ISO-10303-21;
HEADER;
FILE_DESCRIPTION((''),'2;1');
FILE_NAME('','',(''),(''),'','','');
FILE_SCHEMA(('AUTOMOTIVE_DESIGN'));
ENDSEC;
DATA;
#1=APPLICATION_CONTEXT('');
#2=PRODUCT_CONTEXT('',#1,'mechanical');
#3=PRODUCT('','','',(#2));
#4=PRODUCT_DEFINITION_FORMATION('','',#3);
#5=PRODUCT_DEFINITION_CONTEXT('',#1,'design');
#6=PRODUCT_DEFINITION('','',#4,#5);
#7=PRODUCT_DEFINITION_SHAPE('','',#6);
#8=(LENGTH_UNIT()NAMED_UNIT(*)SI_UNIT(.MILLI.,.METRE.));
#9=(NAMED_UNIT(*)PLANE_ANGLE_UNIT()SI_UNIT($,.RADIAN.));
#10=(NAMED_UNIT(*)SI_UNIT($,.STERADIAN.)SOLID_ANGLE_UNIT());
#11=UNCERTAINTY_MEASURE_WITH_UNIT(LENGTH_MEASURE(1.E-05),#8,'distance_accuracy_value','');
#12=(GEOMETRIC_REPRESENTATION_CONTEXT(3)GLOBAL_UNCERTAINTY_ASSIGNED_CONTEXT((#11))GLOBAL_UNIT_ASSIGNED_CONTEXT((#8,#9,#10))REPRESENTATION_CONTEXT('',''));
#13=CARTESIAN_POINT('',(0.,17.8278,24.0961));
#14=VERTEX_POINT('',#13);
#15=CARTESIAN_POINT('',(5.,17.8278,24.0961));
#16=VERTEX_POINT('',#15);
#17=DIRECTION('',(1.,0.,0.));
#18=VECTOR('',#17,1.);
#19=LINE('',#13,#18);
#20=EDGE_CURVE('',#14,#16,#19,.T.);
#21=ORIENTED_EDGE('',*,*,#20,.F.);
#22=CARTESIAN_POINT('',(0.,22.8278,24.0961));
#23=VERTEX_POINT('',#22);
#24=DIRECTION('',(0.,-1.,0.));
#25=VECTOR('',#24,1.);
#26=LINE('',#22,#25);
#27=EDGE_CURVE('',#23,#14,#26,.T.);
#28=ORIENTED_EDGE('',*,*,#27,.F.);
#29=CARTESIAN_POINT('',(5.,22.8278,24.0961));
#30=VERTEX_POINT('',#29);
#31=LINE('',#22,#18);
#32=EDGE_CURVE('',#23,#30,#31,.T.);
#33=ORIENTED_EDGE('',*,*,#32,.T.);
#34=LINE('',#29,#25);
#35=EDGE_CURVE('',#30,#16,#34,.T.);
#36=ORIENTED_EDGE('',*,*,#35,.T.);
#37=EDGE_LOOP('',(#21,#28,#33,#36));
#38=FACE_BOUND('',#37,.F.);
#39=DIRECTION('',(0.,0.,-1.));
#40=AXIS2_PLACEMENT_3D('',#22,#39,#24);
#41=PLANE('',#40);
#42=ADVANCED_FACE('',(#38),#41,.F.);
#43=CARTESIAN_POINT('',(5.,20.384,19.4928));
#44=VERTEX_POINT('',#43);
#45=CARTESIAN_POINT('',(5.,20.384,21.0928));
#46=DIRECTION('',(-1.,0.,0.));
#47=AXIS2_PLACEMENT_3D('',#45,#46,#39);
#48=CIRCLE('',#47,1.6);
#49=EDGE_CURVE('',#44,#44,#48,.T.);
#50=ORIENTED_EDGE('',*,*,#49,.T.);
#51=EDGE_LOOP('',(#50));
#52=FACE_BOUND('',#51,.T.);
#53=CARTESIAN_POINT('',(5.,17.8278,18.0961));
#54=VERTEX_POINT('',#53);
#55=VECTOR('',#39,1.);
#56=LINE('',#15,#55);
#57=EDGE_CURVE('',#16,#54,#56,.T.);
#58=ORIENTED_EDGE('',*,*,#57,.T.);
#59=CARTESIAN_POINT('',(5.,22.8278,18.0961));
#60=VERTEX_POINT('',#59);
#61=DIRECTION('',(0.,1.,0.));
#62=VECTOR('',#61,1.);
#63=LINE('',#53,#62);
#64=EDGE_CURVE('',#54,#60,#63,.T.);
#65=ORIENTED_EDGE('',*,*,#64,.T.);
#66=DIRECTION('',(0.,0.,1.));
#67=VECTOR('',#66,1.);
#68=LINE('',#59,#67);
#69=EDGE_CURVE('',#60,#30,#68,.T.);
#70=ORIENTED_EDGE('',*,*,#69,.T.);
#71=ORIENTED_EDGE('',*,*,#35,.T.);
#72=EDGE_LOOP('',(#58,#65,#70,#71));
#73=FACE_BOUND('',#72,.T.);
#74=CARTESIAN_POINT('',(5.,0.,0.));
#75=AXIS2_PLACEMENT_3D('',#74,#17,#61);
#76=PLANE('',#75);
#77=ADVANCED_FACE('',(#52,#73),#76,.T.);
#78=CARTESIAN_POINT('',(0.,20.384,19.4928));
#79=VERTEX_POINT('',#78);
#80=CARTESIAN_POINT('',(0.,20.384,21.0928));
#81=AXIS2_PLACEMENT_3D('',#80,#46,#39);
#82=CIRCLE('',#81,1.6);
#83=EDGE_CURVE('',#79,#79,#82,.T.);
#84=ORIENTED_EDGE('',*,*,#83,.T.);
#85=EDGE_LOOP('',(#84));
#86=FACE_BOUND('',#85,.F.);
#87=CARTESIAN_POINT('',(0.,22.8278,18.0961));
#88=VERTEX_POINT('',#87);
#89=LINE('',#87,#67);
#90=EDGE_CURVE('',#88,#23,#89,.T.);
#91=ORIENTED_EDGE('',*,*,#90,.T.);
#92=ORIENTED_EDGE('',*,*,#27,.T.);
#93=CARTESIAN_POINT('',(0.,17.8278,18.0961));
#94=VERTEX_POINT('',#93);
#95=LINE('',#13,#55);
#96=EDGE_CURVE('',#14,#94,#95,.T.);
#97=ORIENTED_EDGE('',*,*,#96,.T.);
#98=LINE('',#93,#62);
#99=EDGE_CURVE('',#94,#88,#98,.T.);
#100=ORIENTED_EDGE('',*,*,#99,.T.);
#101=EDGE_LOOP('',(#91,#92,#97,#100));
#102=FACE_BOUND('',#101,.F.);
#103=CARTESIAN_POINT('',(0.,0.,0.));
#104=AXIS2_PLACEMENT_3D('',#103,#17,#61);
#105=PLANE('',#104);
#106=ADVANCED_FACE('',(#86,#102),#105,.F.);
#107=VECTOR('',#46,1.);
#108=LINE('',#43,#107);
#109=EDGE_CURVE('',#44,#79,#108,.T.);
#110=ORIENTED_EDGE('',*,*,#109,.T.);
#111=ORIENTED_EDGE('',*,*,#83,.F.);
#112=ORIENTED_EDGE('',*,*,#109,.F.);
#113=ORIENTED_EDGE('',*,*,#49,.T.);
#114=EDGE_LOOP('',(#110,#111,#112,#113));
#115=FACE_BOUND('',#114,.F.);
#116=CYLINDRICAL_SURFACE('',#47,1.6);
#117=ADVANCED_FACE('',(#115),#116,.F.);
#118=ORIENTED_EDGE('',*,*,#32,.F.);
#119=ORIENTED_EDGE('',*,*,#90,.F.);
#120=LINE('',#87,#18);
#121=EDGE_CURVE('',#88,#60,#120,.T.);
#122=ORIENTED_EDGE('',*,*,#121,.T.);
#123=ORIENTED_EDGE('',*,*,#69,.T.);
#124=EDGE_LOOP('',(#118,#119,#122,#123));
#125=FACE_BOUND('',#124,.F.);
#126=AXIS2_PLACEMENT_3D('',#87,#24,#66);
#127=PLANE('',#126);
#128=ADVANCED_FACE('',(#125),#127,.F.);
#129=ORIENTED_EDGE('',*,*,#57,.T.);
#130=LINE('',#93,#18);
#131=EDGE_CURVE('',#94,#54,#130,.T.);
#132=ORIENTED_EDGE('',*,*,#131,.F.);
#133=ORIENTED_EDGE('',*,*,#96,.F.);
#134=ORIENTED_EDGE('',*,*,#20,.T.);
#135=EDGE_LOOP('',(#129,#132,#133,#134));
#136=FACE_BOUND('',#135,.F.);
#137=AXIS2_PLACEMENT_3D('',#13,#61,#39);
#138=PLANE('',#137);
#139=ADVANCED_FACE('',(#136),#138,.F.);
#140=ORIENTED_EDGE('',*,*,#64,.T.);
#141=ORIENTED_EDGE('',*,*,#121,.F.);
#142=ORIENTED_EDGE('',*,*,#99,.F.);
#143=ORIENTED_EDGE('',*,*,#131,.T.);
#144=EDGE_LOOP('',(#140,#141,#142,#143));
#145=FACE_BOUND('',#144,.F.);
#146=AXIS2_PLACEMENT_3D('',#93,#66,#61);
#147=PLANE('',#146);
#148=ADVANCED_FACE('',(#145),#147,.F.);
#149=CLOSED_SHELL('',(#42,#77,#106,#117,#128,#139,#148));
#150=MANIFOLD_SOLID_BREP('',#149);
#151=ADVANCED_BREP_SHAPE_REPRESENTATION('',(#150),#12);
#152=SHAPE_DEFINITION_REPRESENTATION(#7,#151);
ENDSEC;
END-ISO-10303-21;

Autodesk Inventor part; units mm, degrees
ref_plane "YZ Plane" through (0, 0, 0) normal (1, 0, 0) x (0, 1, 0)
ref_plane "XZ Plane" through (0, 0, 0) normal (0, 1, 0) x (-1, 0, 0)
ref_plane "XY Plane" through (0, 0, 0) normal (0, 0, 1) x (1, 0, 0)
sketch "Sketch1" plane through (0, 0, 0) normal (1, 0, 0) x (0, 1, 0)
  line L0 (22.8278, 24.0961) -> (17.8278, 24.0961)
  line L1 (17.8278, 24.0961) -> (17.8278, 18.0961)
  line L2 (17.8278, 18.0961) -> (22.8278, 18.0961)
  line L3 (22.8278, 18.0961) -> (22.8278, 24.0961)
  point P0 (0, 0)
  dimension "d0" = 5
  dimension "d1" = 6
extrude "Extrusion1" add sketch "Sketch1" along normal blind 5
sketch "Sketch2" plane through (5, 0, 0) normal (1, 0, 0) x (0, 0, -1)
  point P0 (0, 0)
  point P1 (-21.0928, 20.384)
hole "Hole1" at (5, 20.384, 21.0928) direction (-1, 0, 0) diameter 3.2 end through all
properties part number "lcdholder"
